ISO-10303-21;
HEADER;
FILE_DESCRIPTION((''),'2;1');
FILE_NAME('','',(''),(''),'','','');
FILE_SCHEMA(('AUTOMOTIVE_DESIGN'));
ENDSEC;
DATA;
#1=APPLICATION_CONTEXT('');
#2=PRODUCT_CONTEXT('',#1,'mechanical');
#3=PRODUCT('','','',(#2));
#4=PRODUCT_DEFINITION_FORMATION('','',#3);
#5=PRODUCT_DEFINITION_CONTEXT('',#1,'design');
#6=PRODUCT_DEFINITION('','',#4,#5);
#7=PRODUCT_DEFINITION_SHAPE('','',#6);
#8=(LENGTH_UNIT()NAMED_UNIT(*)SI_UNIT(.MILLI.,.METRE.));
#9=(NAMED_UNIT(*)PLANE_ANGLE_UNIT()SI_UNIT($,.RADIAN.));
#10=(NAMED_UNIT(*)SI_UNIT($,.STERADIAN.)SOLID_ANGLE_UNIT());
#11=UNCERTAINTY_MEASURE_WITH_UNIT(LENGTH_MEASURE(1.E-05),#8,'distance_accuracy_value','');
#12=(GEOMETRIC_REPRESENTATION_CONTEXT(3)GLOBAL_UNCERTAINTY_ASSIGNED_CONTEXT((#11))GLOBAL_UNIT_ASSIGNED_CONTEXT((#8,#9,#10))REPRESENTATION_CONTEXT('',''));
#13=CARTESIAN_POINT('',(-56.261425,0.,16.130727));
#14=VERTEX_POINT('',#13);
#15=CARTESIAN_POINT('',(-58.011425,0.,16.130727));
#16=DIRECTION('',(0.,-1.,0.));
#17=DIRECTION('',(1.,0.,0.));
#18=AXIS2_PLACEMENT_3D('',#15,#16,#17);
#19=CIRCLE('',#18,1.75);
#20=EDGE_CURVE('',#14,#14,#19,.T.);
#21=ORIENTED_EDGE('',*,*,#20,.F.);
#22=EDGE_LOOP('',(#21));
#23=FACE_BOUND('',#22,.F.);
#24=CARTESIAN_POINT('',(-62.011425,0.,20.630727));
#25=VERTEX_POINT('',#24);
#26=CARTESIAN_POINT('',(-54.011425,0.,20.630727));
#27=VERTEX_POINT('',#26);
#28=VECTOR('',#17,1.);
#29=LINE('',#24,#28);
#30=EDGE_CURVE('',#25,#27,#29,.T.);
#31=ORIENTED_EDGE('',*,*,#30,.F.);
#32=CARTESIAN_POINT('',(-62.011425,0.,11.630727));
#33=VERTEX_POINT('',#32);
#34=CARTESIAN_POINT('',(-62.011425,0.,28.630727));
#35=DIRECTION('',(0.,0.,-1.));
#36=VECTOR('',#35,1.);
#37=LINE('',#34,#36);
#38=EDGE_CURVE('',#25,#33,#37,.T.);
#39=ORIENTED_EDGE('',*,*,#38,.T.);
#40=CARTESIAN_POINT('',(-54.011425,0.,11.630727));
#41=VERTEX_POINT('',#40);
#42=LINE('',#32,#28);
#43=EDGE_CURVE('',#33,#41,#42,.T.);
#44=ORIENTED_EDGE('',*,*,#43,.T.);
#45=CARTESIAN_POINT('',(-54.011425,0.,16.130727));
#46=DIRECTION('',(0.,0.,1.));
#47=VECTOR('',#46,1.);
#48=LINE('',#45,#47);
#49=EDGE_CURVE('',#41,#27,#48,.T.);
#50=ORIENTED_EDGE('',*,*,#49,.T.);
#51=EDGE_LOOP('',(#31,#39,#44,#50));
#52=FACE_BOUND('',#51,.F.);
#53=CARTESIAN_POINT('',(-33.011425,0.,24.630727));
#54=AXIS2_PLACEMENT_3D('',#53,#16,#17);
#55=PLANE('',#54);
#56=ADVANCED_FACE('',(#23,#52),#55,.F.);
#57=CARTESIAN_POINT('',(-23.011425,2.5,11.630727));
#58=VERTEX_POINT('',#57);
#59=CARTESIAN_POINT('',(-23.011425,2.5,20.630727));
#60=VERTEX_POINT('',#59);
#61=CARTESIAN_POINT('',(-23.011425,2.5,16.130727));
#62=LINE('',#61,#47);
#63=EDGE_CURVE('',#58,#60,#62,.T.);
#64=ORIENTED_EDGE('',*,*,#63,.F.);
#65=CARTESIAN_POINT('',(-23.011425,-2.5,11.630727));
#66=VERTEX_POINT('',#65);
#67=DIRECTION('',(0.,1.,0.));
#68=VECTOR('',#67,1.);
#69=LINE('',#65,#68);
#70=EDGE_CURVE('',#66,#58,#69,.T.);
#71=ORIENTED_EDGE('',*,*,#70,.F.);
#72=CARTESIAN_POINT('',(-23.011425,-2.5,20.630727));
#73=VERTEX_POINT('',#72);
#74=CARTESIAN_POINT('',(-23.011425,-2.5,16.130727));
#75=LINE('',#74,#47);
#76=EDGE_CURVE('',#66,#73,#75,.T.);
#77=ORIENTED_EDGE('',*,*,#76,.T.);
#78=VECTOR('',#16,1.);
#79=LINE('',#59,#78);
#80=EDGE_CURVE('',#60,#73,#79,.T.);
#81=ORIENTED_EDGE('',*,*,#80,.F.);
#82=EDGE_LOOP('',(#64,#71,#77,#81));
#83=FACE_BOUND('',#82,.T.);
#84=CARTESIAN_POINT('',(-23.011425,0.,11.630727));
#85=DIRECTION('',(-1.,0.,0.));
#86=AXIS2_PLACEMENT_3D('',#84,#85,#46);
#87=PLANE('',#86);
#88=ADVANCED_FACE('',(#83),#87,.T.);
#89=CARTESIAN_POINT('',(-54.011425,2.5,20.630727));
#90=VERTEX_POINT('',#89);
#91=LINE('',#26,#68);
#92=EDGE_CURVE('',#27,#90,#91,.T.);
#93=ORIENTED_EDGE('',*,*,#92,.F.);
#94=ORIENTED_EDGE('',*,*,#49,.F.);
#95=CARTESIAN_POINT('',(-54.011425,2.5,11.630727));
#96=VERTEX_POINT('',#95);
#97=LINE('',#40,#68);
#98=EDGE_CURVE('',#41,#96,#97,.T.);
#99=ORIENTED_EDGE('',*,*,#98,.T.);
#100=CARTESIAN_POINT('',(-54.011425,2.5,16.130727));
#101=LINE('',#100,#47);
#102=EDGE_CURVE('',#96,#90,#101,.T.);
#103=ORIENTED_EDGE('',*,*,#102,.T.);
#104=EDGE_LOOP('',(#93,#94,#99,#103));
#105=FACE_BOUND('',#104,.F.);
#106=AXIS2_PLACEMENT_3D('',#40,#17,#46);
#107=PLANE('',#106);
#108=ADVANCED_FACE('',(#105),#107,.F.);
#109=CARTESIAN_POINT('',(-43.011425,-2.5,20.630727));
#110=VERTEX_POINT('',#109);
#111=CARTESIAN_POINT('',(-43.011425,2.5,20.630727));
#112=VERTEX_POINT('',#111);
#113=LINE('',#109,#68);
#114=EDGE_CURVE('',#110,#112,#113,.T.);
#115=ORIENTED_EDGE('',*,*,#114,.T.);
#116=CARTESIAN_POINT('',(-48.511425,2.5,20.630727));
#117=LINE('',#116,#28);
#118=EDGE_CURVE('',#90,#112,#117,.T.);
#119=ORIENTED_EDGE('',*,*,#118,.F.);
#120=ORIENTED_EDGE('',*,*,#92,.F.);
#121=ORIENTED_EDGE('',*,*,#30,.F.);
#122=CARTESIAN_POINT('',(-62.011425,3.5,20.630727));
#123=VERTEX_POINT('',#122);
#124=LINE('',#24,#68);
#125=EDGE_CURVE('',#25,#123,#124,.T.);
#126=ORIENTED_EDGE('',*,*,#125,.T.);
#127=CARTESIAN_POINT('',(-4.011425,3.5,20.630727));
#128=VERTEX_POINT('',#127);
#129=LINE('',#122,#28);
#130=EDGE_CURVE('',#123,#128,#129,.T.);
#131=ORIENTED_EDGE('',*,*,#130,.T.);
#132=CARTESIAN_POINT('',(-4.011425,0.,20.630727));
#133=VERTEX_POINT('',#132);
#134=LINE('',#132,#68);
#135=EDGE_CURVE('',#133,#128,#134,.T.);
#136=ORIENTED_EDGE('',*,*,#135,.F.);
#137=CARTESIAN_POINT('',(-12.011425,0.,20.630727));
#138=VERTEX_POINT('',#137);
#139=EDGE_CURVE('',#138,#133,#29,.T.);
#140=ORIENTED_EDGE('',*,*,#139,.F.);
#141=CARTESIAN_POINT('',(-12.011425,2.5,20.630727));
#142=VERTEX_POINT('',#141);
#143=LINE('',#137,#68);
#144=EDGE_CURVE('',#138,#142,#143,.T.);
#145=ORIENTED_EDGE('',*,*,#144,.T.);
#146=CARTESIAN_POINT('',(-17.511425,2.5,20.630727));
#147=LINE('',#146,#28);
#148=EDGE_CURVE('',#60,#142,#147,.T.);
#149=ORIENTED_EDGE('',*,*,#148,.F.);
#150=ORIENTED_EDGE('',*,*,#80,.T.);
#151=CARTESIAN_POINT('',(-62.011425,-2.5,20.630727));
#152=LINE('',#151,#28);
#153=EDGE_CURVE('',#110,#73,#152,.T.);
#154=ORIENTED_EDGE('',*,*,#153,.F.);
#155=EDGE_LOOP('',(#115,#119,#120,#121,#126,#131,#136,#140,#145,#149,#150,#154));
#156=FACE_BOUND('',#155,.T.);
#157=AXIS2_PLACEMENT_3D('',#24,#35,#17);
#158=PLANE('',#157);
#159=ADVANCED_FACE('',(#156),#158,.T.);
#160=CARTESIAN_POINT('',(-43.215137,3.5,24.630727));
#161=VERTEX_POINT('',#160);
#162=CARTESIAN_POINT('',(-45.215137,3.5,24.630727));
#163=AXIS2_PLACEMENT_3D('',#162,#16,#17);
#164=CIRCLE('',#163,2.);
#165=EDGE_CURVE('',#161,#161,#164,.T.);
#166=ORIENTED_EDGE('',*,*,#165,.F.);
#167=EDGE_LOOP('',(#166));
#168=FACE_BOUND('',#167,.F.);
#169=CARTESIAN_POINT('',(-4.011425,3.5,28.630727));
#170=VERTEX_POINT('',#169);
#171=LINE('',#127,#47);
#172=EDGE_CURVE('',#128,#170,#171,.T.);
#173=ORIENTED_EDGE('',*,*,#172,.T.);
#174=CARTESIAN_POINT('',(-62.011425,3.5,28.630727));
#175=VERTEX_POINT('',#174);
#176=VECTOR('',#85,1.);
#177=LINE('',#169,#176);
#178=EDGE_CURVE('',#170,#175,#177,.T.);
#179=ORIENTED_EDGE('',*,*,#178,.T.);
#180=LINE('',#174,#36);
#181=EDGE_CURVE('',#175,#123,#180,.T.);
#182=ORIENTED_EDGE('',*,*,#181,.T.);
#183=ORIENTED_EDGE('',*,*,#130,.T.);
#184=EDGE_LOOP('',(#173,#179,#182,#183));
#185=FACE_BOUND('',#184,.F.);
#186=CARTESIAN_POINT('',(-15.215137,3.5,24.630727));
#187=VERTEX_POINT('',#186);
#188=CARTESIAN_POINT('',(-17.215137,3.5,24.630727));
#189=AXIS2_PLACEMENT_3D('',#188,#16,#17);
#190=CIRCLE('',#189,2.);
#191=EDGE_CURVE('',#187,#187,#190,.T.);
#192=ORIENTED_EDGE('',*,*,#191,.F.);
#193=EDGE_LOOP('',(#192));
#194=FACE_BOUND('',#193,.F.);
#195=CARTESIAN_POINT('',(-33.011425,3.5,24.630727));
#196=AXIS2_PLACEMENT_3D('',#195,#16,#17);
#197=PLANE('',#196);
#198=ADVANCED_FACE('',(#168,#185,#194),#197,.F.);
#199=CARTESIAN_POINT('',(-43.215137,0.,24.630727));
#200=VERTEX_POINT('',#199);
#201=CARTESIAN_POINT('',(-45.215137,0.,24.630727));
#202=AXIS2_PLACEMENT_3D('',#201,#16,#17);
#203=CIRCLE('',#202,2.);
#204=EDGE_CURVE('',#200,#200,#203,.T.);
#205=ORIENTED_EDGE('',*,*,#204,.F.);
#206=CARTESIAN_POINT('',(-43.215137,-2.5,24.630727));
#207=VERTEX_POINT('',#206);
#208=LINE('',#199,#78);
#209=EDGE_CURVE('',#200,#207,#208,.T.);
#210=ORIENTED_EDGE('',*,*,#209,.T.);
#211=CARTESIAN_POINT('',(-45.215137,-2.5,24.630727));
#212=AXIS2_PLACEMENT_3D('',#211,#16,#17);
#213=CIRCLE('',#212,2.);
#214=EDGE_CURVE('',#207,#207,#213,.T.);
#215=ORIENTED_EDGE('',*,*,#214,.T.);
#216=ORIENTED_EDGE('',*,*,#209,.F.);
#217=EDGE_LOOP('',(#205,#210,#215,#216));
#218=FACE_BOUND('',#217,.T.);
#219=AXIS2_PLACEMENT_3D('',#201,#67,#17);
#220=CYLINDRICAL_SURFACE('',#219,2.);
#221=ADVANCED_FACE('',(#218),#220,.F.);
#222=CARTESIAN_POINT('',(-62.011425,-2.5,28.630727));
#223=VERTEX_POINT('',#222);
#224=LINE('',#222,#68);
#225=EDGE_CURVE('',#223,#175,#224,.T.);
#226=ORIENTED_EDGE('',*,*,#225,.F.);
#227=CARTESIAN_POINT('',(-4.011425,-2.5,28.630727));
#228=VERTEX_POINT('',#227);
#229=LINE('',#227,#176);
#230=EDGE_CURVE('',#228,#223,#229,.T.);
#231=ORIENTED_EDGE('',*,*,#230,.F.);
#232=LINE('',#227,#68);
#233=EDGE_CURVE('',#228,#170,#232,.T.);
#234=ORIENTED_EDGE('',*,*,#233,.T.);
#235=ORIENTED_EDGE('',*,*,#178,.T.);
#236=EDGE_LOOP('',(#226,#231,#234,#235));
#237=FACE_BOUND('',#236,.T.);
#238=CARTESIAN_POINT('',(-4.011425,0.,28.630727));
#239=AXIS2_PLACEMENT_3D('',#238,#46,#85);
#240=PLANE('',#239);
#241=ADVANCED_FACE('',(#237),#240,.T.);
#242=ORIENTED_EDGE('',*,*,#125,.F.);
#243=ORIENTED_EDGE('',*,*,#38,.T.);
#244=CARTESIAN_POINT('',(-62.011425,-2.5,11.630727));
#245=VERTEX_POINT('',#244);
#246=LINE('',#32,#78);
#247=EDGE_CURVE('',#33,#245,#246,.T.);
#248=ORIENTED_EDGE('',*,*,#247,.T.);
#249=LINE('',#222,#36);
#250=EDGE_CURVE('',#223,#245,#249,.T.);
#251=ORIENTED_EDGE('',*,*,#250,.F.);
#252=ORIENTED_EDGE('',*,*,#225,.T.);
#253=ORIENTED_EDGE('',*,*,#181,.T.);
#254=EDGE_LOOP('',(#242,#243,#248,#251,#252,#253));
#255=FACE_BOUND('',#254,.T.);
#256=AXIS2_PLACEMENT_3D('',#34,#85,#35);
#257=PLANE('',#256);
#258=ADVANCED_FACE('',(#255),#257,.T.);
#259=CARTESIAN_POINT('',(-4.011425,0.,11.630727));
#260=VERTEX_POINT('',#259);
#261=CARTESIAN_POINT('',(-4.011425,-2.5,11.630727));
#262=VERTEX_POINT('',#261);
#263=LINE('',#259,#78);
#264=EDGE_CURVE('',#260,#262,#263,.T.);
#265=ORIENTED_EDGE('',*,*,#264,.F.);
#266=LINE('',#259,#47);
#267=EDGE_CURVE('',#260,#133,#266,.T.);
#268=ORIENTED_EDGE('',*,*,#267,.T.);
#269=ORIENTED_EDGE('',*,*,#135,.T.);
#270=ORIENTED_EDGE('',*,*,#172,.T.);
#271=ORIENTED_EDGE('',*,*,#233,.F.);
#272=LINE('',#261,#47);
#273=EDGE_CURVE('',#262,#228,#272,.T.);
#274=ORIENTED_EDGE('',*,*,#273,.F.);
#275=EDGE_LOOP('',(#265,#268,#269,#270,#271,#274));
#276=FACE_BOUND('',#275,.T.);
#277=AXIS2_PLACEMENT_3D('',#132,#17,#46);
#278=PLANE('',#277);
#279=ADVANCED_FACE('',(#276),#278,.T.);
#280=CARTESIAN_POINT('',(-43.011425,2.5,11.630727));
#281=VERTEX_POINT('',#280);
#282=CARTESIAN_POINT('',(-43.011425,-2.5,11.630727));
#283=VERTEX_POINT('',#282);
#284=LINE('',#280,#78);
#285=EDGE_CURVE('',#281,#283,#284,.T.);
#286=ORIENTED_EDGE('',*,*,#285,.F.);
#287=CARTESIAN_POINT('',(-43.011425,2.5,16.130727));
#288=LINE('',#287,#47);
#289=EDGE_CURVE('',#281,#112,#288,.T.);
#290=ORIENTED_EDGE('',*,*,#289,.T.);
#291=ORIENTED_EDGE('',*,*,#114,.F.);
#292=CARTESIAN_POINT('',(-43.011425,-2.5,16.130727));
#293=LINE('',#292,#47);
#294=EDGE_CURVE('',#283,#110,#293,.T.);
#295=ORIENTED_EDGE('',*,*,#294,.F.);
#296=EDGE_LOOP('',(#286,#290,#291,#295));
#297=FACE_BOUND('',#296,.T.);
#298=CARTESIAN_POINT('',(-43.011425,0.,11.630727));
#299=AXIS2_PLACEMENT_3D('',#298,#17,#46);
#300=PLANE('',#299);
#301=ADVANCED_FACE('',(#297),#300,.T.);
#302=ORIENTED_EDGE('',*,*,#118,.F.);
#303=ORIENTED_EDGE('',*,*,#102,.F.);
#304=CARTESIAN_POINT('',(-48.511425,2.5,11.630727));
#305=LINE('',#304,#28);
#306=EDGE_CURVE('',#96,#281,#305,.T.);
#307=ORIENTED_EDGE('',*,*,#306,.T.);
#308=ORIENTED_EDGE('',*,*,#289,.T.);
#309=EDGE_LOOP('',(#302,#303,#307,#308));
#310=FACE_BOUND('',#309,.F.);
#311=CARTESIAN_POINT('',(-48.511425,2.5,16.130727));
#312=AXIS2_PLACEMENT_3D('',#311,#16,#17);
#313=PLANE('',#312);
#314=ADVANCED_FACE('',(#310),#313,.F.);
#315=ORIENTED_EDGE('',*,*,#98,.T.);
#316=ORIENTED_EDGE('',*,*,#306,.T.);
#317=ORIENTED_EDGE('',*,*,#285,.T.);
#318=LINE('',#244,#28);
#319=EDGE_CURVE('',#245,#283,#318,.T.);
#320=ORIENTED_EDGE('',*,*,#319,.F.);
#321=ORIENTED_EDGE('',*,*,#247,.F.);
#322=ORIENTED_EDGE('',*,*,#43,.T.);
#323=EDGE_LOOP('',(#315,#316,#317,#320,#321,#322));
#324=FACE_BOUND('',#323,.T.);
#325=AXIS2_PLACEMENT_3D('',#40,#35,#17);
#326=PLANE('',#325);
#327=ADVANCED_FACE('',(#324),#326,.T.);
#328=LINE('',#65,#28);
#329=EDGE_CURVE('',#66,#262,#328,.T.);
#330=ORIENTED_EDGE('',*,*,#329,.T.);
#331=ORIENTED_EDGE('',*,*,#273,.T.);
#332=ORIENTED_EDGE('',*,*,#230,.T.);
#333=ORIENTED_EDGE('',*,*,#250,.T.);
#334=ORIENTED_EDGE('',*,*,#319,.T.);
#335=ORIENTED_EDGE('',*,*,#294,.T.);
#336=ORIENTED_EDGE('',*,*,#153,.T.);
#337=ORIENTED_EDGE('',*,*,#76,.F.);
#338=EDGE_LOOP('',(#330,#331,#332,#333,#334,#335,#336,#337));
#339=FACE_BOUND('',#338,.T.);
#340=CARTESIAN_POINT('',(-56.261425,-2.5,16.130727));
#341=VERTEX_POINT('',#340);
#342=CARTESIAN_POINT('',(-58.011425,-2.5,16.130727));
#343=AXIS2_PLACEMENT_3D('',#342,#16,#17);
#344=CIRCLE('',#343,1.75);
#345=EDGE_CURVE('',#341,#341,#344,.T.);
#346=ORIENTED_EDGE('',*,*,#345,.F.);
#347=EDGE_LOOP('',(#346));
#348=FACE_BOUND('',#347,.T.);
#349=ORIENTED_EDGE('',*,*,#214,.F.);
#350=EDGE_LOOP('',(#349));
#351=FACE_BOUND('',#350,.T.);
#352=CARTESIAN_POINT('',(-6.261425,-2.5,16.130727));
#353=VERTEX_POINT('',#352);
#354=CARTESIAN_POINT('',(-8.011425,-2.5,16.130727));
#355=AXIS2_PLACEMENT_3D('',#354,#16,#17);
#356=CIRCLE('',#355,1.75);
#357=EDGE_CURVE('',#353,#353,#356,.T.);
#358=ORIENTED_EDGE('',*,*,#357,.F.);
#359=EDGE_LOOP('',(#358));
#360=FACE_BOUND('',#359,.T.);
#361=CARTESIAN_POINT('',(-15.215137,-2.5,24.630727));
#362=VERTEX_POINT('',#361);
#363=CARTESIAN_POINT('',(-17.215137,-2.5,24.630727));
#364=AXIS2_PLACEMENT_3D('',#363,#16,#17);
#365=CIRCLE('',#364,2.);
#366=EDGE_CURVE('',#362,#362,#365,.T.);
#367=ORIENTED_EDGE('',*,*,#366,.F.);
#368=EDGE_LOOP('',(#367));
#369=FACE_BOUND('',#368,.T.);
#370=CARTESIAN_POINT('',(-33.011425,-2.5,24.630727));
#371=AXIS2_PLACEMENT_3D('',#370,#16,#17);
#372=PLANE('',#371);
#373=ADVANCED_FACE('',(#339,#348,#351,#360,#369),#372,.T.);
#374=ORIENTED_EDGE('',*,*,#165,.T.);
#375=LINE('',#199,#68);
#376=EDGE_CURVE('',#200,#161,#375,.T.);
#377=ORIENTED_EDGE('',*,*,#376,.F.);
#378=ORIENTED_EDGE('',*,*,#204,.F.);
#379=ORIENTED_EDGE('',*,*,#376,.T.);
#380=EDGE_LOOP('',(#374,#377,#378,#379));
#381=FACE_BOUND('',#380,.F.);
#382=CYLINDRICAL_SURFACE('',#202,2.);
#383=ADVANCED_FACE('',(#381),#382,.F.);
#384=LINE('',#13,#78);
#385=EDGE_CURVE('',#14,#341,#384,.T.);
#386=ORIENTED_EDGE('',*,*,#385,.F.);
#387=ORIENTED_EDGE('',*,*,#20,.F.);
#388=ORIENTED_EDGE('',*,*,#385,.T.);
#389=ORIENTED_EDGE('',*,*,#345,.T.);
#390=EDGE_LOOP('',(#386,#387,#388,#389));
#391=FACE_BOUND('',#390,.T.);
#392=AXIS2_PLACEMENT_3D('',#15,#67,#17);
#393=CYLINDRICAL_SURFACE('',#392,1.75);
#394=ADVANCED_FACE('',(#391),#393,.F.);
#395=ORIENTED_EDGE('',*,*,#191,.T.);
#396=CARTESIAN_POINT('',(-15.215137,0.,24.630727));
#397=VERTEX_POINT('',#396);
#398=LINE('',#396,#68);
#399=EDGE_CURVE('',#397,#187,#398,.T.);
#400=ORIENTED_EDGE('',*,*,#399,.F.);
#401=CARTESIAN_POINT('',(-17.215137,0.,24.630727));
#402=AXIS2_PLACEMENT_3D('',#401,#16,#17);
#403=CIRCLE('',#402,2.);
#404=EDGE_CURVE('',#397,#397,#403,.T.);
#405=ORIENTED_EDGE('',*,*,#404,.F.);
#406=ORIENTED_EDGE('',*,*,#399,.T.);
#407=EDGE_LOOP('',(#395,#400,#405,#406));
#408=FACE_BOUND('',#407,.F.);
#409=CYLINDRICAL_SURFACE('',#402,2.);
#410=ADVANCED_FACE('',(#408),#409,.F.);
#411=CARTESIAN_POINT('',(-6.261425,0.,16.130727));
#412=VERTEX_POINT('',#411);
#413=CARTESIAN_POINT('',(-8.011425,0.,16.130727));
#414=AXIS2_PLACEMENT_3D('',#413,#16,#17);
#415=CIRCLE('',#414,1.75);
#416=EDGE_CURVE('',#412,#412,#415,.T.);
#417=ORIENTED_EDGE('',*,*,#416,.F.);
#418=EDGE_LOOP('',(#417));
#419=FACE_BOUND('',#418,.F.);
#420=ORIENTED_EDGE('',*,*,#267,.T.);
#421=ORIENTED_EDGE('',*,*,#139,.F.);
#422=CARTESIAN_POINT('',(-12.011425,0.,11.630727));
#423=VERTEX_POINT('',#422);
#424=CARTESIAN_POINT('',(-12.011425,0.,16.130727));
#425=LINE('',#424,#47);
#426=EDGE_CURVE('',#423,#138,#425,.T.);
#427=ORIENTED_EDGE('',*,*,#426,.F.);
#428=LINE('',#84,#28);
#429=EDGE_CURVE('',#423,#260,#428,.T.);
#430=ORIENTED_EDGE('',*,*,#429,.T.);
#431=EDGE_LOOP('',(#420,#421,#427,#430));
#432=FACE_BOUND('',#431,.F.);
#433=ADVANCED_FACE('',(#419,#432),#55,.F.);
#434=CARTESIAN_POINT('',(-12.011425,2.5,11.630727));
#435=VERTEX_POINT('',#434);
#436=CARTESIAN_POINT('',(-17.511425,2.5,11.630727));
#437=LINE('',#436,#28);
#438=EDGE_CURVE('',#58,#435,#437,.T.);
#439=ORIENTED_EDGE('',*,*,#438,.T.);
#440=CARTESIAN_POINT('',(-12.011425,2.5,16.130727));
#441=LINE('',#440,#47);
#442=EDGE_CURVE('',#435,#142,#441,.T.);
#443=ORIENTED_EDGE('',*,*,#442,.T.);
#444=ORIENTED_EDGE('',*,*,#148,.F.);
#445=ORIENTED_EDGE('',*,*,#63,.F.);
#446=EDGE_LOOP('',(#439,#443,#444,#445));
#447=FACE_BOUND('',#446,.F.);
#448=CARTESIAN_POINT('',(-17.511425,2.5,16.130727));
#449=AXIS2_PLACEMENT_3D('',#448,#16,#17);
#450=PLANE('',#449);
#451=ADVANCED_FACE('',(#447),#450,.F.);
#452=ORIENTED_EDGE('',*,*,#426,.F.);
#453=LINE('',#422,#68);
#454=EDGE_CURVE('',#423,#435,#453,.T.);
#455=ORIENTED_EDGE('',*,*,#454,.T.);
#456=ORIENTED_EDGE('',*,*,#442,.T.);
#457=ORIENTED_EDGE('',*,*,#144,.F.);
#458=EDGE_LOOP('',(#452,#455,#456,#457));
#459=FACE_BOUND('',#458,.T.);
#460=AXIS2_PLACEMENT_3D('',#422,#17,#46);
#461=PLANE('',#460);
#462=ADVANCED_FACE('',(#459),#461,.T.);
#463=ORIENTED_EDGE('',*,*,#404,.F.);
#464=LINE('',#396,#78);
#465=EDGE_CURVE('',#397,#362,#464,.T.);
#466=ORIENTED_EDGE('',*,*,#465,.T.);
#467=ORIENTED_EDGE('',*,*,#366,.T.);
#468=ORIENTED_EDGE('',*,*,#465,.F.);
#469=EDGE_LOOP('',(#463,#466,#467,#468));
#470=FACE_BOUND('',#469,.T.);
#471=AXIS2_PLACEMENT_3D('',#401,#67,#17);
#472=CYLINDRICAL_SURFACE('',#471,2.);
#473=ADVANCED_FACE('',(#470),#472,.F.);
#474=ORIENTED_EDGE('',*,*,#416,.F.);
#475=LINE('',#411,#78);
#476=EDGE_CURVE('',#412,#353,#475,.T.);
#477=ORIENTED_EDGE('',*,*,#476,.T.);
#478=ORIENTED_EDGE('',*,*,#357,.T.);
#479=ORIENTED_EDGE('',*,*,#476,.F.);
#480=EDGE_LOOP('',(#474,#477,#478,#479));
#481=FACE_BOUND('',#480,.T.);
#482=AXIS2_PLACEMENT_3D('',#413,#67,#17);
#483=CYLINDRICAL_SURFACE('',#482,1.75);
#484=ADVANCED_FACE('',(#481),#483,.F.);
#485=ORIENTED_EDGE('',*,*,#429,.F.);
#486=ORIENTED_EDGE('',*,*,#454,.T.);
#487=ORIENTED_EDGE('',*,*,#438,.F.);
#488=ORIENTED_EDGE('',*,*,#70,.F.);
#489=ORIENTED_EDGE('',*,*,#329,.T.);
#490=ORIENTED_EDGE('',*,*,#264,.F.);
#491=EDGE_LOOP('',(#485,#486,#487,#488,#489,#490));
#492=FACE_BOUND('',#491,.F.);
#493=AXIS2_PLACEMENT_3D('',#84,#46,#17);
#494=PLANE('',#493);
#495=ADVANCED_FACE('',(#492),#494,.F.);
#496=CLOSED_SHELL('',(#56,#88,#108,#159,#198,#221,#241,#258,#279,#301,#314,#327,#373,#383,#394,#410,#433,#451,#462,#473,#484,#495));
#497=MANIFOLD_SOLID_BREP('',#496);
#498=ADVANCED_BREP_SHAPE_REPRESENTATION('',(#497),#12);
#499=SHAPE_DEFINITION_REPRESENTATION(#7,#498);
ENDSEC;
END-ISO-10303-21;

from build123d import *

# Parameters (mm, degrees)
F0_R     = 2
F0_W     = 8
F0_H     = 9
F0_R_2   = 1.75
F0_W_2   = 11
F1_DEPTH = 2.5
F2_DEPTH = 2.5
F3_DEPTH = 3.5


with BuildPart() as f1:
    # F0 (on Front) → F1 (new body)
    with BuildSketch(Plane.XZ):
        Polygon((-62.011425, 28.630727), (-62.011425, 20.630727), (-54.011425, 20.630727), (-43.011425, 20.630727), (-23.011425, 20.630727), (-12.011425, 20.630727), (-4.011425, 20.630727), (-4.011425, 28.630727), align=None)
        with Locations((-45.215137, 24.630727)):
            Circle(F0_R, mode=Mode.SUBTRACT)
        with Locations((-17.215137, 24.630727)):
            Circle(F0_R, mode=Mode.SUBTRACT)
        with Locations((-58.011425, 16.130727)):
            Rectangle(F0_W, F0_H)
        with Locations((-58.011425, 16.130727)):
            Circle(F0_R_2, mode=Mode.SUBTRACT)
        with Locations((-48.511425, 16.130727)):
            Rectangle(F0_W_2, F0_H)
        with Locations((-17.511425, 16.130727)):
            Rectangle(F0_W_2, F0_H)
        with Locations((-8.011425, 16.130727)):
            Rectangle(F0_W, F0_H)
        with Locations((-8.011425, 16.130727)):
            Circle(F0_R_2, mode=Mode.SUBTRACT)
    extrude(amount=F1_DEPTH)

    # F0 (on Front) → F2 (join)
    with BuildSketch(Plane.XZ):
        with Locations((-48.511425, 16.130727)):
            Rectangle(F0_W_2, F0_H)
        with Locations((-17.511425, 16.130727)):
            Rectangle(F0_W_2, F0_H)
    extrude(amount=-F2_DEPTH)

    # F0 (on Front) → F3 (join)
    with BuildSketch(Plane.XZ):
        Polygon((-62.011425, 28.630727), (-62.011425, 20.630727), (-54.011425, 20.630727), (-43.011425, 20.630727), (-23.011425, 20.630727), (-12.011425, 20.630727), (-4.011425, 20.630727), (-4.011425, 28.630727), align=None)
        with Locations((-45.215137, 24.630727)):
            Circle(F0_R, mode=Mode.SUBTRACT)
        with Locations((-17.215137, 24.630727)):
            Circle(F0_R, mode=Mode.SUBTRACT)
    extrude(amount=-F3_DEPTH)


solid = f1.part
